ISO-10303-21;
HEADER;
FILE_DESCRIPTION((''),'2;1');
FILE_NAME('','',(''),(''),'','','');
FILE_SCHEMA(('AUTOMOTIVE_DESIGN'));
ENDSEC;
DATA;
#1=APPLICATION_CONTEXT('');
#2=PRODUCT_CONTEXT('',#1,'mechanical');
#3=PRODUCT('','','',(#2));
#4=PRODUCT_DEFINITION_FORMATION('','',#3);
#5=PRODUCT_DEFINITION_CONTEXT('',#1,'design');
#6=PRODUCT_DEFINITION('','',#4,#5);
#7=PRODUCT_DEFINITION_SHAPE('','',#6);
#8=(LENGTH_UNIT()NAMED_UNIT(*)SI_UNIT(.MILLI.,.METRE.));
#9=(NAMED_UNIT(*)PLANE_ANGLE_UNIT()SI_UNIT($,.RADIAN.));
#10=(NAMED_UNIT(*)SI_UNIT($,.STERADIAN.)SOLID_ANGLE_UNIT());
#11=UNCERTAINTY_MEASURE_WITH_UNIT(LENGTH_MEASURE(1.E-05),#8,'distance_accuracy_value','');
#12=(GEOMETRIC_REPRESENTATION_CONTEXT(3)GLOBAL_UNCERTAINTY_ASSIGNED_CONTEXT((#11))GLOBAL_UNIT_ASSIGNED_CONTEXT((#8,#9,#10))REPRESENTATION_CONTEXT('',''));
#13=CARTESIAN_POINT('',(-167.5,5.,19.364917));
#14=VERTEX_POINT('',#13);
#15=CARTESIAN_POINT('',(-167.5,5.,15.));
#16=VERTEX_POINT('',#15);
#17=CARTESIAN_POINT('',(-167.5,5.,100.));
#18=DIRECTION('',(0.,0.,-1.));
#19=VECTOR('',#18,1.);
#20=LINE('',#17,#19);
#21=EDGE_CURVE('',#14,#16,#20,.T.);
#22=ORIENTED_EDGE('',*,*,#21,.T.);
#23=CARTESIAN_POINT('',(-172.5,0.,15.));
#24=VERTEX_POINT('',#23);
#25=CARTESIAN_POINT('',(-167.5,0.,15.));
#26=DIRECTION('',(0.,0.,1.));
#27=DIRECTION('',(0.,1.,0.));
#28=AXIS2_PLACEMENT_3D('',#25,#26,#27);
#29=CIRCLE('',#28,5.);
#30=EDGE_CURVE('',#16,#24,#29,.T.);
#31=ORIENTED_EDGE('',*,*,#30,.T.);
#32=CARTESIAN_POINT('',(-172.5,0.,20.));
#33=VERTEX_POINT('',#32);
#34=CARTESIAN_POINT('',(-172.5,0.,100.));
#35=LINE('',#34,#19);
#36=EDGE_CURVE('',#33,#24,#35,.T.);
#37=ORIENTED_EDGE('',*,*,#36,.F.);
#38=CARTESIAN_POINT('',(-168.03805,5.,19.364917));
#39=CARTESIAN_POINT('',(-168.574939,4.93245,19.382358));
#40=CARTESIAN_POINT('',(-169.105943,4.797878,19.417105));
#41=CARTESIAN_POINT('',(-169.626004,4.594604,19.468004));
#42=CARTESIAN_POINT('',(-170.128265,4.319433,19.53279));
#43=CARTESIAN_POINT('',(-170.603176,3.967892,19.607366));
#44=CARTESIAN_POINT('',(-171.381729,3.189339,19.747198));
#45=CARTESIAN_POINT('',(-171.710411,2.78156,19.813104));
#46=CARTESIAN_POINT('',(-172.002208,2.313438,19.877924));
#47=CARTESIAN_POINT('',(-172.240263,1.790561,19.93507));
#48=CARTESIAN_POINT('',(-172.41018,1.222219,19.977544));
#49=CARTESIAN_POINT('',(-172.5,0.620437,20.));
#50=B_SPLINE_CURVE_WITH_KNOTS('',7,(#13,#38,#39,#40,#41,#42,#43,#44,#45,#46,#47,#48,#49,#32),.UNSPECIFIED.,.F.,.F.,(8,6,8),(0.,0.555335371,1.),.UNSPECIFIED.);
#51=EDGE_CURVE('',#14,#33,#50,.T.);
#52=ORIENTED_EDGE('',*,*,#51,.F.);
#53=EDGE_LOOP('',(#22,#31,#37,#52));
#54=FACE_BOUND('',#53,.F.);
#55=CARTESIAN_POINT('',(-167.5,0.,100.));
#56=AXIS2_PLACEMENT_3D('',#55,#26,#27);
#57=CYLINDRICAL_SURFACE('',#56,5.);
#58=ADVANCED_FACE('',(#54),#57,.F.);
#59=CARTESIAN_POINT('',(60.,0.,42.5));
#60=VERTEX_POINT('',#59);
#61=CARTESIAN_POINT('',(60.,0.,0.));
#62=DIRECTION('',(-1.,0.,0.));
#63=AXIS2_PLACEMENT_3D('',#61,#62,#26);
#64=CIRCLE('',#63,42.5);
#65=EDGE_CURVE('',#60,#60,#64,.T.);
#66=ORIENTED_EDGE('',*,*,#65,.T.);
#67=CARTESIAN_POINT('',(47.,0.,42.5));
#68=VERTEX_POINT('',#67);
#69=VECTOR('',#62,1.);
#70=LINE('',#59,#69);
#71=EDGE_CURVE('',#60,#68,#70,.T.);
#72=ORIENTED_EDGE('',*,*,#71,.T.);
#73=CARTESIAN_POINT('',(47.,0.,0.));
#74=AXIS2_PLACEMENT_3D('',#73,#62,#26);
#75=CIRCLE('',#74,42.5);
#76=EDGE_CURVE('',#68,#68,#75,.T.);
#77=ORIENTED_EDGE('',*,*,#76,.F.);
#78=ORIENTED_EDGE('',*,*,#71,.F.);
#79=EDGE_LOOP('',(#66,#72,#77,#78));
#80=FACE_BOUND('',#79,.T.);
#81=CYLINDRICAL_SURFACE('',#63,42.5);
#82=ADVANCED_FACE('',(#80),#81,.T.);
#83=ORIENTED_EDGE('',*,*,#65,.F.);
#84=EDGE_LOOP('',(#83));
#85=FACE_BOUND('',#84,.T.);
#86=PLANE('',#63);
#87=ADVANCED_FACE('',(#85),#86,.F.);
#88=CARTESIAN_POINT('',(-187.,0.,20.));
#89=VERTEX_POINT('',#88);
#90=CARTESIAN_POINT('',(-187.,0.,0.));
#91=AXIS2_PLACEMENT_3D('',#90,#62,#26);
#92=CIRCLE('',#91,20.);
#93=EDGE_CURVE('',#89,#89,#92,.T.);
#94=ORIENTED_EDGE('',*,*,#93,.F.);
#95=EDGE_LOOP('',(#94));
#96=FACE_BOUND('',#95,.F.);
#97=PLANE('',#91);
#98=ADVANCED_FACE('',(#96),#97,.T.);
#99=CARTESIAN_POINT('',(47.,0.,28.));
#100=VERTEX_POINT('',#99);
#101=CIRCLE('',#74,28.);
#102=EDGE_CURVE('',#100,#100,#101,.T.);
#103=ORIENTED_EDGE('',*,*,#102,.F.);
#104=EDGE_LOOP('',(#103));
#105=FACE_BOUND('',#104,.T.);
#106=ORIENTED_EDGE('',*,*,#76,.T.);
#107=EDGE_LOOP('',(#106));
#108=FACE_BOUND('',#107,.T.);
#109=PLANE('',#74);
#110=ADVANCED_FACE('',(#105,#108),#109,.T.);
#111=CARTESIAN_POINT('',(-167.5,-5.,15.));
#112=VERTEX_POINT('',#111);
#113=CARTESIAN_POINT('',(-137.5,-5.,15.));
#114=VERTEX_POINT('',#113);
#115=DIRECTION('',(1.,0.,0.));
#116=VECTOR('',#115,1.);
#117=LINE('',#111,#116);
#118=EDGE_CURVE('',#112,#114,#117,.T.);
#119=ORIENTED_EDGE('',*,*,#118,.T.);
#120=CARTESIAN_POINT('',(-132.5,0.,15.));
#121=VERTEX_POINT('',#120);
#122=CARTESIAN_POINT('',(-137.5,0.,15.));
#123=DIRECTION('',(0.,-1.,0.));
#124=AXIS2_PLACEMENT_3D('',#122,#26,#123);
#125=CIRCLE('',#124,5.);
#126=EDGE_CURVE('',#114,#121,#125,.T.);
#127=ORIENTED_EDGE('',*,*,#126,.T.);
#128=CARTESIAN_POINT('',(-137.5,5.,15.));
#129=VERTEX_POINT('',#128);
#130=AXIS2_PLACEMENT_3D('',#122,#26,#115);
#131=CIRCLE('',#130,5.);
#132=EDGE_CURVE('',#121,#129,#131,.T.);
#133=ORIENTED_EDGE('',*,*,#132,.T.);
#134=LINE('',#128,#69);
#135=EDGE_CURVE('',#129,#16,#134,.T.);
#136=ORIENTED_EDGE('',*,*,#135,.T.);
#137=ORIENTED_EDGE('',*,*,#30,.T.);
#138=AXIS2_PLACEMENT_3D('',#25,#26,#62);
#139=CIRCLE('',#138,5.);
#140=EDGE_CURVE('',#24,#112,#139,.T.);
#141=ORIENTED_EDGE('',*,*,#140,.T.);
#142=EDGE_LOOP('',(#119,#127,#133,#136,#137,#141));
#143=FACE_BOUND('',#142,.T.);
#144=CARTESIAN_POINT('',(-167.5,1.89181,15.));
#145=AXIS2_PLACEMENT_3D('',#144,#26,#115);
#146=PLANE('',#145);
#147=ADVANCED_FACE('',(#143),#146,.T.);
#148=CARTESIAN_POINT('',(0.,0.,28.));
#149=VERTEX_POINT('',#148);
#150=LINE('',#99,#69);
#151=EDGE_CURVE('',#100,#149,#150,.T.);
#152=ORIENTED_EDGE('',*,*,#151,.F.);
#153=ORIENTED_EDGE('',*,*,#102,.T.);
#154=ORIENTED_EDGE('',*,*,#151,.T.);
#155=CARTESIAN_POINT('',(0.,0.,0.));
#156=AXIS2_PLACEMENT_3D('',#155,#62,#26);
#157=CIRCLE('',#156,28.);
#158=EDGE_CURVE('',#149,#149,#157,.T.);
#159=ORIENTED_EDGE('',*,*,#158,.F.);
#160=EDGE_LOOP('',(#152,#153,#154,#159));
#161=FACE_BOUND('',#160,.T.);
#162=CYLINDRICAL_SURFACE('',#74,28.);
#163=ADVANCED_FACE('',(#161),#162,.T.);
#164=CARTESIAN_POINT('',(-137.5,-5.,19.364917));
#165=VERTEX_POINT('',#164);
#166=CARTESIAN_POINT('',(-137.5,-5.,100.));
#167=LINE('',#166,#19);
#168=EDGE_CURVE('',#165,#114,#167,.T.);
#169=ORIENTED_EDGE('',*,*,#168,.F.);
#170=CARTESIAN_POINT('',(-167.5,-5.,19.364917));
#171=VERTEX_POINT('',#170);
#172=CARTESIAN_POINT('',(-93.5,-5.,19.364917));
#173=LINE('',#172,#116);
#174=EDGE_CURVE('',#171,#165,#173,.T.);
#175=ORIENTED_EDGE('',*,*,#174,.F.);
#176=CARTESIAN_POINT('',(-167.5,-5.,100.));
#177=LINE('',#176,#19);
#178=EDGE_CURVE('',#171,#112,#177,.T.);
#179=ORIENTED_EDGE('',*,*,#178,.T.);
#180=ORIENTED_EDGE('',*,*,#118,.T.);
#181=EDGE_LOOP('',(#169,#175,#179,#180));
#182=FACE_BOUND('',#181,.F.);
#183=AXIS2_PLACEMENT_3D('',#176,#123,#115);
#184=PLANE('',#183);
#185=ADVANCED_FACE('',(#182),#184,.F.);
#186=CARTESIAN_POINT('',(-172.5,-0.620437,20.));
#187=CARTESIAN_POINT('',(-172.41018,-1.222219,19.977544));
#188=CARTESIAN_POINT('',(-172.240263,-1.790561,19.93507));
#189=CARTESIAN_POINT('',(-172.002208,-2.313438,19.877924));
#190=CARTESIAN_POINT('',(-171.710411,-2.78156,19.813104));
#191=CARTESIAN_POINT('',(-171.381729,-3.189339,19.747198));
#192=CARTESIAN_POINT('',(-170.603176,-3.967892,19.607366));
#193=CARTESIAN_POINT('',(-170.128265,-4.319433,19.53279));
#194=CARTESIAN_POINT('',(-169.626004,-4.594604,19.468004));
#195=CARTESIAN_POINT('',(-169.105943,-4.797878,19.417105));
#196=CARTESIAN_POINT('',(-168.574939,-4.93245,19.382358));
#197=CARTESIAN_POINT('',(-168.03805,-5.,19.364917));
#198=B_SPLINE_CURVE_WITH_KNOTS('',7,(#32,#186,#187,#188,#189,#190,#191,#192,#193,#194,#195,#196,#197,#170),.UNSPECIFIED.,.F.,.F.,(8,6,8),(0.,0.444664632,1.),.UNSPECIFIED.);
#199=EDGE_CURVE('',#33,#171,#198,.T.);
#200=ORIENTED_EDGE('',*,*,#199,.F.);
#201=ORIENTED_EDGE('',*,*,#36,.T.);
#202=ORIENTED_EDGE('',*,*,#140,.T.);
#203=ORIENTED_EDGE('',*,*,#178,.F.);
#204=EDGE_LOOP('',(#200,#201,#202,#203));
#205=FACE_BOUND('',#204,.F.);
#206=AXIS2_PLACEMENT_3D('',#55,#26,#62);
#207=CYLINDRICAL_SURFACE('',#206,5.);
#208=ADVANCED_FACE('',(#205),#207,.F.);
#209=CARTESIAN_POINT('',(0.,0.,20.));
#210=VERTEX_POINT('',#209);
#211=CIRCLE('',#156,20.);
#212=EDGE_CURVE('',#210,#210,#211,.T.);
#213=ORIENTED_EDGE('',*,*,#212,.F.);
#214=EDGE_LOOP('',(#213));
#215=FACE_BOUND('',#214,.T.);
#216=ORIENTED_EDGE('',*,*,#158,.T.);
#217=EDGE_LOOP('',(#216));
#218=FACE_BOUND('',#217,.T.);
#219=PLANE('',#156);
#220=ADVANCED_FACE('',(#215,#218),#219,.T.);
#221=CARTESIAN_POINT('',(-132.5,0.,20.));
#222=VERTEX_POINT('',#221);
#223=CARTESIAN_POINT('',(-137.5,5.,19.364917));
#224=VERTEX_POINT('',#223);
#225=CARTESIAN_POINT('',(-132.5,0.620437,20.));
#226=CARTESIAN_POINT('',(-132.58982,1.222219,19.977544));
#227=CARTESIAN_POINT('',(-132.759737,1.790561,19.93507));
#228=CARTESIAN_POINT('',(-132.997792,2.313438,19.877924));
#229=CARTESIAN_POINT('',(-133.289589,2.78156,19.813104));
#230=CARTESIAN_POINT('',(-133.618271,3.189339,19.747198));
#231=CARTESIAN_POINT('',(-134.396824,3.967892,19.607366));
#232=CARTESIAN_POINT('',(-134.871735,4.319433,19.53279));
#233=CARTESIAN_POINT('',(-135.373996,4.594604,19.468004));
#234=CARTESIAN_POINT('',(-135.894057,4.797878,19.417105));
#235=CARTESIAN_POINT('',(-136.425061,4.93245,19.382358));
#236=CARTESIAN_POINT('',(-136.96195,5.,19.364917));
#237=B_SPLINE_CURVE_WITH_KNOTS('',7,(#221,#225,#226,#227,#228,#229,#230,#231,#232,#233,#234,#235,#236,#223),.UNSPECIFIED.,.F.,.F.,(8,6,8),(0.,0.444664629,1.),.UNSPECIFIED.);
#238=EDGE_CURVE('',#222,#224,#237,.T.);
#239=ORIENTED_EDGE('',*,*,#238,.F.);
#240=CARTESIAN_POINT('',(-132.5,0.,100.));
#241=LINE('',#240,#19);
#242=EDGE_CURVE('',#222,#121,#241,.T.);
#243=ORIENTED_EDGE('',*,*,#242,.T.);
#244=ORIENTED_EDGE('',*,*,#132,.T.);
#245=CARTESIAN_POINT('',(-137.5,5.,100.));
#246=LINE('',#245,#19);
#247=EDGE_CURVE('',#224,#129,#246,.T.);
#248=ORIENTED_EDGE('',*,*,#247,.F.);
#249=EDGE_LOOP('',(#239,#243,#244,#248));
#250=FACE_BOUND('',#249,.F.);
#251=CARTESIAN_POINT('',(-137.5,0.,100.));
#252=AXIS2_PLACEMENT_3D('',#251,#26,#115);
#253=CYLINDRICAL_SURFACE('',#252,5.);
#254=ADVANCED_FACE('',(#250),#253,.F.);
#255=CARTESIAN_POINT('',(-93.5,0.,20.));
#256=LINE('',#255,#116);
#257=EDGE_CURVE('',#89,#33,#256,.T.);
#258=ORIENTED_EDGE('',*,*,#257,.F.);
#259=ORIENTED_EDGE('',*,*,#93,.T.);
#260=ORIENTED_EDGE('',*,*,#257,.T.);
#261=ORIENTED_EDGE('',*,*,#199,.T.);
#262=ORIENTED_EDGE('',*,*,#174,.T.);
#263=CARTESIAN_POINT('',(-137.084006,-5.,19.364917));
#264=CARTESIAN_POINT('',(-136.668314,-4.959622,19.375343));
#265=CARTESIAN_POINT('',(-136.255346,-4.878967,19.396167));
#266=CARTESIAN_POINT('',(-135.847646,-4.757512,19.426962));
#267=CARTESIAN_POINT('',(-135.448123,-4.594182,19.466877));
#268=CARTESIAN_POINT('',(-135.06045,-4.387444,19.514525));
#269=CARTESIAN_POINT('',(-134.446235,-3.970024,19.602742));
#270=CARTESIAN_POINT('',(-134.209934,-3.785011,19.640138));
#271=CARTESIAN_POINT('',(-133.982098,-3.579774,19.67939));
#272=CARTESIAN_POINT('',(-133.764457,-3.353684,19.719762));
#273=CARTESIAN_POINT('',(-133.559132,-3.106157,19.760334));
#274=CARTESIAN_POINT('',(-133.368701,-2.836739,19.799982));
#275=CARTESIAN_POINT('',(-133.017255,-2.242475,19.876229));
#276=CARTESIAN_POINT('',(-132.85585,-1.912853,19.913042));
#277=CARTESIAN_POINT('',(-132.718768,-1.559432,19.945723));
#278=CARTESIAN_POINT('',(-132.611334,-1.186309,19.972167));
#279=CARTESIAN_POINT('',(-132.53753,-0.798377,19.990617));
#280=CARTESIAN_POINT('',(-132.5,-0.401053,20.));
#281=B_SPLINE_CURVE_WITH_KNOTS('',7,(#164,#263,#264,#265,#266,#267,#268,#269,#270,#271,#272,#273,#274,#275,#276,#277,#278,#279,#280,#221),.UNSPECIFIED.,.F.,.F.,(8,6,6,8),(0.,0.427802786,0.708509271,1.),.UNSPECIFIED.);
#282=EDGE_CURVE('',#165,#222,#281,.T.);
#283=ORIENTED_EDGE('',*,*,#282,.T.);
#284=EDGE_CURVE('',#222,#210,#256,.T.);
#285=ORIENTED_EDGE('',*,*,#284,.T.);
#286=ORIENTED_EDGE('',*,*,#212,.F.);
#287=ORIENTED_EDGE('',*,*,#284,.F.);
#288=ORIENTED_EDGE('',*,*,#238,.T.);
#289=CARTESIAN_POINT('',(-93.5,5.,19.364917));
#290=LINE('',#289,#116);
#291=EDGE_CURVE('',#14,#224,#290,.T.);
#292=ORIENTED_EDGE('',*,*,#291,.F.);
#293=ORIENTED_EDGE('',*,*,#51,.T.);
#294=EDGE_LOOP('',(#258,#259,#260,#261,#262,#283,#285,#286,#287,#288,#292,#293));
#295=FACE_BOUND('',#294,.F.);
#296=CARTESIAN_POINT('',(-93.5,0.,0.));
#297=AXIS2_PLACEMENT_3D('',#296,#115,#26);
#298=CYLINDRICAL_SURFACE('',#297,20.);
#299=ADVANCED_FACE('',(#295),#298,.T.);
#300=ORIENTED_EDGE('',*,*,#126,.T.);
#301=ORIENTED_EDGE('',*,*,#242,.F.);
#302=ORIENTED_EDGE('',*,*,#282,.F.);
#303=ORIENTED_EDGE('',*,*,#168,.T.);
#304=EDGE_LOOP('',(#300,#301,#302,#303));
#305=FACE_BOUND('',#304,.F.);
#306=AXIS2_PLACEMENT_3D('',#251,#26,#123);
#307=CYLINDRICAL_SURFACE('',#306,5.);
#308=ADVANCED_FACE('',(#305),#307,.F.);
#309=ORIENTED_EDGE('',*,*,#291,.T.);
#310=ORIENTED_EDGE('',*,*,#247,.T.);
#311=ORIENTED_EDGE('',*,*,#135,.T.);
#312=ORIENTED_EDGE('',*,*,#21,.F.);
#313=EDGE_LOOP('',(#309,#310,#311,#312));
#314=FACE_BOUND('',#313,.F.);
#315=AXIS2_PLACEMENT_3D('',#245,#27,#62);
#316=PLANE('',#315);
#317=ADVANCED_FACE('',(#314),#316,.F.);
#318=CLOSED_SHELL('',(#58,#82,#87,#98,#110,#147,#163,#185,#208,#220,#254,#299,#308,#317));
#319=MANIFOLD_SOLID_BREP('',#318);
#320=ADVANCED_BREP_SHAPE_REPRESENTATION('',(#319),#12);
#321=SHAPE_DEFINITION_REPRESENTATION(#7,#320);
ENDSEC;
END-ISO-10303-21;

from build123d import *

# Parameters (mm, degrees)
F0_W     = 187
F0_H     = 20
F3_DEPTH = 100
F4_DEPTH = 85


with BuildPart() as f1:
    # F0 (on Front) → F1 (revolve)
    with BuildSketch(Plane.XZ):
        Polygon((47, 28), (47, 0), (60, 0), (60, 42.5), (47, 42.5), align=None)
        with Locations((-93.5, 10)):
            Rectangle(F0_W, F0_H)
        Polygon((0, 20), (0, 0), (47, 0), (47, 28), (0, 28), align=None)
    revolve(axis=Axis((-82.005277276, 0, 0), (-1, 0, 0)))

    # F2 (on Top) → F3 (join)
    with BuildSketch(Plane.XY):
        with BuildLine():
            ThreePointArc((-167.5, 5), (-171.0355339059, 3.5355339059), (-172.5, 0))
            Line((-172.5, 0), (-167.5, 0))
            Line((-167.5, 0), (-162.5, 0))
            ThreePointArc((-162.5, 0), (-163.9644660941, 3.5355339059), (-167.5, 5))
        make_face()
        with BuildLine():
            Line((-167.5, 0), (-172.5, 0))
            ThreePointArc((-172.5, 0), (-171.0355339059, -3.5355339059), (-167.5, -5))
            ThreePointArc((-167.5, -5), (-163.9644660941, -3.5355339059), (-162.5, 0))
            Line((-162.5, 0), (-167.5, 0))
        make_face()
        with BuildLine():
            Line((-137.5, 5), (-167.5, 5))
            ThreePointArc((-167.5, 5), (-163.9644660941, 3.5355339059), (-162.5, 0))
            Line((-162.5, 0), (-142.5, 0))
            ThreePointArc((-142.5, 0), (-141.0355339059, 3.5355339059), (-137.5, 5))
        make_face()
        with BuildLine():
            ThreePointArc((-162.5, 0), (-163.9644660941, -3.5355339059), (-167.5, -5))
            Line((-167.5, -5), (-137.5, -5))
            ThreePointArc((-137.5, -5), (-141.0355339059, -3.5355339059), (-142.5, 0))
            Line((-142.5, 0), (-162.5, 0))
        make_face()
        with BuildLine():
            Line((-137.5, 0), (-137.5, 5))
            ThreePointArc((-137.5, 5), (-141.0355339059, 3.5355339059), (-142.5, 0))
            Line((-142.5, 0), (-137.5, 0))
        make_face()
        with BuildLine():
            ThreePointArc((-132.5, 0), (-133.9644660941, 3.5355339059), (-137.5, 5))
            Line((-137.5, 5), (-137.5, 0))
            Line((-137.5, 0), (-137.5, -5))
            ThreePointArc((-137.5, -5), (-133.9644660941, -3.5355339059), (-132.5, 0))
        make_face()
        with BuildLine():
            ThreePointArc((-142.5, 0), (-141.0355339059, -3.5355339059), (-137.5, -5))
            Line((-137.5, -5), (-137.5, 0))
            Line((-137.5, 0), (-142.5, 0))
        make_face()
    extrude(amount=F3_DEPTH)

    # F4 (cut): a face of the model
    f4_faces = [f1.faces().sort_by_distance(p)[0] for p in [
        (-152.5, 0, 100),
    ]]
    extrude(f4_faces, amount=-F4_DEPTH, mode=Mode.SUBTRACT)


solid = f1.part
